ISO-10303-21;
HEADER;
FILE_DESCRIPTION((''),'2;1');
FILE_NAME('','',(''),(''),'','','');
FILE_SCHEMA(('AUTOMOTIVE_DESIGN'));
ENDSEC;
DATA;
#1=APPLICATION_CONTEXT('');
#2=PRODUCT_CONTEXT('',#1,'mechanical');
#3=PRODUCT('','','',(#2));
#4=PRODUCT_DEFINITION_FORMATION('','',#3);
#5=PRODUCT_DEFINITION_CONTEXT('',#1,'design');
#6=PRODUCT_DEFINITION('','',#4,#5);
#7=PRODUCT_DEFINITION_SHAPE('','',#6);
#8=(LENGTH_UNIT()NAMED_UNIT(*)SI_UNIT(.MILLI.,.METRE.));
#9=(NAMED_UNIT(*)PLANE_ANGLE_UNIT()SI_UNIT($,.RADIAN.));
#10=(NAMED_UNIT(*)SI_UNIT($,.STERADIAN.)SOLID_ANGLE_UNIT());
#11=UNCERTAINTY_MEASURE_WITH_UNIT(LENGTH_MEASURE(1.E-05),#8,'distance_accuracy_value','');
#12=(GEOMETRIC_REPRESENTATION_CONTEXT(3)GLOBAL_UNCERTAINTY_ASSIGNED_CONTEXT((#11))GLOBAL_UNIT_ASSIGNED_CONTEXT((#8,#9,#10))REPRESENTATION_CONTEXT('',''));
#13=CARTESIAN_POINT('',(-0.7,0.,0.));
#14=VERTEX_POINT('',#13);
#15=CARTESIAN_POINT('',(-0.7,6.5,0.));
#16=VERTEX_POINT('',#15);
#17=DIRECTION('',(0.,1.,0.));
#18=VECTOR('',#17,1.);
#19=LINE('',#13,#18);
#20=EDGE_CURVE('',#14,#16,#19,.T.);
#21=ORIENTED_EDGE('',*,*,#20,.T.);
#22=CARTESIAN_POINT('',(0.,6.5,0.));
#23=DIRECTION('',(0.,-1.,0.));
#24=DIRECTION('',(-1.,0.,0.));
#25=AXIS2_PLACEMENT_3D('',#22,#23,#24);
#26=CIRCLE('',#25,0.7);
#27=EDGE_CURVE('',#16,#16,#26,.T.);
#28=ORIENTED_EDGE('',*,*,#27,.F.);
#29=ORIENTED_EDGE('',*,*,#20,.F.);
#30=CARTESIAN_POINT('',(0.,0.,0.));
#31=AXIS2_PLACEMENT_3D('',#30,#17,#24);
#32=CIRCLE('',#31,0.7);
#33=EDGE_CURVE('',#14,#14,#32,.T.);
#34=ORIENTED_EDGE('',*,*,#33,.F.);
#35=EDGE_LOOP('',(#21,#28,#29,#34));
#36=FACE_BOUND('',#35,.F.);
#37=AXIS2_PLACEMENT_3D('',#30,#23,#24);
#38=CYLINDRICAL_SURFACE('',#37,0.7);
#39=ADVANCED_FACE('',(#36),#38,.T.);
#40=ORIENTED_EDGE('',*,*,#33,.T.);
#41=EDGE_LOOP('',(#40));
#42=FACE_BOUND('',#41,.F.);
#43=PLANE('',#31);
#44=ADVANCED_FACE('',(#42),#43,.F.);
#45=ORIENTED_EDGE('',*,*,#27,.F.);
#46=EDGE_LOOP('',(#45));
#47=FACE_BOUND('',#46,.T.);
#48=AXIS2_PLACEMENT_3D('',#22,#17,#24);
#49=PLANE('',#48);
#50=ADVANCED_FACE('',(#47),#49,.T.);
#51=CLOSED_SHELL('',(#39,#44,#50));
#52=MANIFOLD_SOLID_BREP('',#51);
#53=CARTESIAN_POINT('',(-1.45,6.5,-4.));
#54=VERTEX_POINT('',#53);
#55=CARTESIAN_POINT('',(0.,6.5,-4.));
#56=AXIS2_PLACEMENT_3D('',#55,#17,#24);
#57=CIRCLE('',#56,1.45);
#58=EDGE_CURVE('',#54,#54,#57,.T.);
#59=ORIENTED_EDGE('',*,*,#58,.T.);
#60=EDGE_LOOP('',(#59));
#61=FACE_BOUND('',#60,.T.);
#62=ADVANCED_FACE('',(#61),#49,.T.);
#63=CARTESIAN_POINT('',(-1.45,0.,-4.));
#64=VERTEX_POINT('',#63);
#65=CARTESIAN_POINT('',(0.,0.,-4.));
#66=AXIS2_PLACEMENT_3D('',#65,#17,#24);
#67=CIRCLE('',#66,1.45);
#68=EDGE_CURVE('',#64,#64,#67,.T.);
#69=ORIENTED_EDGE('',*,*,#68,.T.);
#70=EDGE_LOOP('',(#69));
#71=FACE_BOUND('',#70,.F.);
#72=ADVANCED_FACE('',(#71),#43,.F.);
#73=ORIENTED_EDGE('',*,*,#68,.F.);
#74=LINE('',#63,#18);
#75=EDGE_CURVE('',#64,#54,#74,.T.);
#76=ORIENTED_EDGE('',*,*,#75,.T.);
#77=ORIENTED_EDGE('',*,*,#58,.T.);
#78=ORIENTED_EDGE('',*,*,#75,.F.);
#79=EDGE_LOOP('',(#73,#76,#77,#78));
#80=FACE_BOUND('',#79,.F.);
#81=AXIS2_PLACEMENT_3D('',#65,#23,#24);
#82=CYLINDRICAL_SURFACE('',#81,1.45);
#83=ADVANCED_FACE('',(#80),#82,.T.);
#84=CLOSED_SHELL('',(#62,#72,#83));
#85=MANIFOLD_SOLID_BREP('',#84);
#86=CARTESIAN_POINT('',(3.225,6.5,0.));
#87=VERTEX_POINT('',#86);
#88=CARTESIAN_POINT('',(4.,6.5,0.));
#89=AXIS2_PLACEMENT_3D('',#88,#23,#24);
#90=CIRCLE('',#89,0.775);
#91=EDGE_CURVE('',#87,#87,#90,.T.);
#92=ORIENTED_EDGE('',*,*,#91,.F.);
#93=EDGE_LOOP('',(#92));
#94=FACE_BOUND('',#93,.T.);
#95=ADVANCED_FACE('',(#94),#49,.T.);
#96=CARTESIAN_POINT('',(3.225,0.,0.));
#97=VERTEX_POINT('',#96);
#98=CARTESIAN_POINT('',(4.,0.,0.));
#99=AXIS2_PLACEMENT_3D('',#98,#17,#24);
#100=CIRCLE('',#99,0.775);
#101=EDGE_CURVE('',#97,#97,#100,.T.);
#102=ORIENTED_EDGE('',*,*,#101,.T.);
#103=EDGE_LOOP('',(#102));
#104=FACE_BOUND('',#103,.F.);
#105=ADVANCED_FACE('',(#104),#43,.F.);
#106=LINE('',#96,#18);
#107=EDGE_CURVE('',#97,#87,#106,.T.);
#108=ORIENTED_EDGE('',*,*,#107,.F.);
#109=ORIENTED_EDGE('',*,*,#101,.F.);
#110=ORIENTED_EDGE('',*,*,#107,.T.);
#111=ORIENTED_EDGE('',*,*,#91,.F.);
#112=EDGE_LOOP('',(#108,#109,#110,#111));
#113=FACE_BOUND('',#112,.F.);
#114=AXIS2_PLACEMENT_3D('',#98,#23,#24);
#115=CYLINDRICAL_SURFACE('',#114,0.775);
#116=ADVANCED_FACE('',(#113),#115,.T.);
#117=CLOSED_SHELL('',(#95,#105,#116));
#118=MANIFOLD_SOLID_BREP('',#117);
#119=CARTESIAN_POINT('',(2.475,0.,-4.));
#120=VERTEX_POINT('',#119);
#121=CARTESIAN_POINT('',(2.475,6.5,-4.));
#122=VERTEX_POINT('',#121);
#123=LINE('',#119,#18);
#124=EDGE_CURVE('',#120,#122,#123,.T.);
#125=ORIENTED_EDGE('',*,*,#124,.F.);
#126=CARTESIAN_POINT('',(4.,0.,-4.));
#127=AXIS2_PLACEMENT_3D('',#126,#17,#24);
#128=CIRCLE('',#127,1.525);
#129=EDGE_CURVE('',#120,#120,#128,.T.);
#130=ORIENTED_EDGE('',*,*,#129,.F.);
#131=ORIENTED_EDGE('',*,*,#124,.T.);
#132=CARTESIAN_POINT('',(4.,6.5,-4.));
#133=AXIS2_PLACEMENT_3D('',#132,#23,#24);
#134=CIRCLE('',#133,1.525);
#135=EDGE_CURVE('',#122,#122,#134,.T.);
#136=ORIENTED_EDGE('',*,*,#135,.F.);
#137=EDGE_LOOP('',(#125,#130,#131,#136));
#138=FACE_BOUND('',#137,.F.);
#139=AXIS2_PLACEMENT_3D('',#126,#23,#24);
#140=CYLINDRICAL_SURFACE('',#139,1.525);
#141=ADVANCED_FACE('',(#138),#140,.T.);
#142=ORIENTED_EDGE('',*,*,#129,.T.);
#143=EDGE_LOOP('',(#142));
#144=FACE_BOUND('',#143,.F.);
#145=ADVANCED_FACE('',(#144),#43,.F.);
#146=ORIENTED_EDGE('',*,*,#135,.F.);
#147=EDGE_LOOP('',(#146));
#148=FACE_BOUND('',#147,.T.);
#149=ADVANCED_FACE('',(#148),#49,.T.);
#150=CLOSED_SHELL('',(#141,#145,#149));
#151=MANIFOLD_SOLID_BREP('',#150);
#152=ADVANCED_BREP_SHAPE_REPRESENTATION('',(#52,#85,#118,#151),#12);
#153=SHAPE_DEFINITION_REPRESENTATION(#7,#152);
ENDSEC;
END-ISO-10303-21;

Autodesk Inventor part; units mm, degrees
ref_plane "YZ Plane" through (0, 0, 0) normal (1, 0, 0) x (0, 1, 0)
ref_plane "XZ Plane" through (0, 0, 0) normal (0, 1, 0) x (-1, 0, 0)
ref_plane "XY Plane" through (0, 0, 0) normal (0, 0, 1) x (1, 0, 0)
sketch "Szkic1" plane through (0, 0, 0) normal (0, 1, 0) x (-1, 0, 0)
  circle A0 centre (0, 0) radius 0.7
  circle A1 centre (0, -4) radius 1.45
  circle A2 centre (-4, 0) radius 0.775
  circle A3 centre (-4, -4) radius 1.525
  line L0 (0, 0) -> (-4, 0)
  line L1 (-4, 0) -> (-4, -4)
  dimension "d0" = 1.4
  dimension "d1" = 2.9
  dimension "d2" = 4
  dimension "d5" = 1.55
  dimension "d6" = 3.05
  dimension "d7" = 4
  dimension "d8" = 4
  dimension "d9" = 4
extrude "Wyciągnięcie proste1" add sketch "Szkic1" along normal blind 6.5
properties part number "klinyrozne"
